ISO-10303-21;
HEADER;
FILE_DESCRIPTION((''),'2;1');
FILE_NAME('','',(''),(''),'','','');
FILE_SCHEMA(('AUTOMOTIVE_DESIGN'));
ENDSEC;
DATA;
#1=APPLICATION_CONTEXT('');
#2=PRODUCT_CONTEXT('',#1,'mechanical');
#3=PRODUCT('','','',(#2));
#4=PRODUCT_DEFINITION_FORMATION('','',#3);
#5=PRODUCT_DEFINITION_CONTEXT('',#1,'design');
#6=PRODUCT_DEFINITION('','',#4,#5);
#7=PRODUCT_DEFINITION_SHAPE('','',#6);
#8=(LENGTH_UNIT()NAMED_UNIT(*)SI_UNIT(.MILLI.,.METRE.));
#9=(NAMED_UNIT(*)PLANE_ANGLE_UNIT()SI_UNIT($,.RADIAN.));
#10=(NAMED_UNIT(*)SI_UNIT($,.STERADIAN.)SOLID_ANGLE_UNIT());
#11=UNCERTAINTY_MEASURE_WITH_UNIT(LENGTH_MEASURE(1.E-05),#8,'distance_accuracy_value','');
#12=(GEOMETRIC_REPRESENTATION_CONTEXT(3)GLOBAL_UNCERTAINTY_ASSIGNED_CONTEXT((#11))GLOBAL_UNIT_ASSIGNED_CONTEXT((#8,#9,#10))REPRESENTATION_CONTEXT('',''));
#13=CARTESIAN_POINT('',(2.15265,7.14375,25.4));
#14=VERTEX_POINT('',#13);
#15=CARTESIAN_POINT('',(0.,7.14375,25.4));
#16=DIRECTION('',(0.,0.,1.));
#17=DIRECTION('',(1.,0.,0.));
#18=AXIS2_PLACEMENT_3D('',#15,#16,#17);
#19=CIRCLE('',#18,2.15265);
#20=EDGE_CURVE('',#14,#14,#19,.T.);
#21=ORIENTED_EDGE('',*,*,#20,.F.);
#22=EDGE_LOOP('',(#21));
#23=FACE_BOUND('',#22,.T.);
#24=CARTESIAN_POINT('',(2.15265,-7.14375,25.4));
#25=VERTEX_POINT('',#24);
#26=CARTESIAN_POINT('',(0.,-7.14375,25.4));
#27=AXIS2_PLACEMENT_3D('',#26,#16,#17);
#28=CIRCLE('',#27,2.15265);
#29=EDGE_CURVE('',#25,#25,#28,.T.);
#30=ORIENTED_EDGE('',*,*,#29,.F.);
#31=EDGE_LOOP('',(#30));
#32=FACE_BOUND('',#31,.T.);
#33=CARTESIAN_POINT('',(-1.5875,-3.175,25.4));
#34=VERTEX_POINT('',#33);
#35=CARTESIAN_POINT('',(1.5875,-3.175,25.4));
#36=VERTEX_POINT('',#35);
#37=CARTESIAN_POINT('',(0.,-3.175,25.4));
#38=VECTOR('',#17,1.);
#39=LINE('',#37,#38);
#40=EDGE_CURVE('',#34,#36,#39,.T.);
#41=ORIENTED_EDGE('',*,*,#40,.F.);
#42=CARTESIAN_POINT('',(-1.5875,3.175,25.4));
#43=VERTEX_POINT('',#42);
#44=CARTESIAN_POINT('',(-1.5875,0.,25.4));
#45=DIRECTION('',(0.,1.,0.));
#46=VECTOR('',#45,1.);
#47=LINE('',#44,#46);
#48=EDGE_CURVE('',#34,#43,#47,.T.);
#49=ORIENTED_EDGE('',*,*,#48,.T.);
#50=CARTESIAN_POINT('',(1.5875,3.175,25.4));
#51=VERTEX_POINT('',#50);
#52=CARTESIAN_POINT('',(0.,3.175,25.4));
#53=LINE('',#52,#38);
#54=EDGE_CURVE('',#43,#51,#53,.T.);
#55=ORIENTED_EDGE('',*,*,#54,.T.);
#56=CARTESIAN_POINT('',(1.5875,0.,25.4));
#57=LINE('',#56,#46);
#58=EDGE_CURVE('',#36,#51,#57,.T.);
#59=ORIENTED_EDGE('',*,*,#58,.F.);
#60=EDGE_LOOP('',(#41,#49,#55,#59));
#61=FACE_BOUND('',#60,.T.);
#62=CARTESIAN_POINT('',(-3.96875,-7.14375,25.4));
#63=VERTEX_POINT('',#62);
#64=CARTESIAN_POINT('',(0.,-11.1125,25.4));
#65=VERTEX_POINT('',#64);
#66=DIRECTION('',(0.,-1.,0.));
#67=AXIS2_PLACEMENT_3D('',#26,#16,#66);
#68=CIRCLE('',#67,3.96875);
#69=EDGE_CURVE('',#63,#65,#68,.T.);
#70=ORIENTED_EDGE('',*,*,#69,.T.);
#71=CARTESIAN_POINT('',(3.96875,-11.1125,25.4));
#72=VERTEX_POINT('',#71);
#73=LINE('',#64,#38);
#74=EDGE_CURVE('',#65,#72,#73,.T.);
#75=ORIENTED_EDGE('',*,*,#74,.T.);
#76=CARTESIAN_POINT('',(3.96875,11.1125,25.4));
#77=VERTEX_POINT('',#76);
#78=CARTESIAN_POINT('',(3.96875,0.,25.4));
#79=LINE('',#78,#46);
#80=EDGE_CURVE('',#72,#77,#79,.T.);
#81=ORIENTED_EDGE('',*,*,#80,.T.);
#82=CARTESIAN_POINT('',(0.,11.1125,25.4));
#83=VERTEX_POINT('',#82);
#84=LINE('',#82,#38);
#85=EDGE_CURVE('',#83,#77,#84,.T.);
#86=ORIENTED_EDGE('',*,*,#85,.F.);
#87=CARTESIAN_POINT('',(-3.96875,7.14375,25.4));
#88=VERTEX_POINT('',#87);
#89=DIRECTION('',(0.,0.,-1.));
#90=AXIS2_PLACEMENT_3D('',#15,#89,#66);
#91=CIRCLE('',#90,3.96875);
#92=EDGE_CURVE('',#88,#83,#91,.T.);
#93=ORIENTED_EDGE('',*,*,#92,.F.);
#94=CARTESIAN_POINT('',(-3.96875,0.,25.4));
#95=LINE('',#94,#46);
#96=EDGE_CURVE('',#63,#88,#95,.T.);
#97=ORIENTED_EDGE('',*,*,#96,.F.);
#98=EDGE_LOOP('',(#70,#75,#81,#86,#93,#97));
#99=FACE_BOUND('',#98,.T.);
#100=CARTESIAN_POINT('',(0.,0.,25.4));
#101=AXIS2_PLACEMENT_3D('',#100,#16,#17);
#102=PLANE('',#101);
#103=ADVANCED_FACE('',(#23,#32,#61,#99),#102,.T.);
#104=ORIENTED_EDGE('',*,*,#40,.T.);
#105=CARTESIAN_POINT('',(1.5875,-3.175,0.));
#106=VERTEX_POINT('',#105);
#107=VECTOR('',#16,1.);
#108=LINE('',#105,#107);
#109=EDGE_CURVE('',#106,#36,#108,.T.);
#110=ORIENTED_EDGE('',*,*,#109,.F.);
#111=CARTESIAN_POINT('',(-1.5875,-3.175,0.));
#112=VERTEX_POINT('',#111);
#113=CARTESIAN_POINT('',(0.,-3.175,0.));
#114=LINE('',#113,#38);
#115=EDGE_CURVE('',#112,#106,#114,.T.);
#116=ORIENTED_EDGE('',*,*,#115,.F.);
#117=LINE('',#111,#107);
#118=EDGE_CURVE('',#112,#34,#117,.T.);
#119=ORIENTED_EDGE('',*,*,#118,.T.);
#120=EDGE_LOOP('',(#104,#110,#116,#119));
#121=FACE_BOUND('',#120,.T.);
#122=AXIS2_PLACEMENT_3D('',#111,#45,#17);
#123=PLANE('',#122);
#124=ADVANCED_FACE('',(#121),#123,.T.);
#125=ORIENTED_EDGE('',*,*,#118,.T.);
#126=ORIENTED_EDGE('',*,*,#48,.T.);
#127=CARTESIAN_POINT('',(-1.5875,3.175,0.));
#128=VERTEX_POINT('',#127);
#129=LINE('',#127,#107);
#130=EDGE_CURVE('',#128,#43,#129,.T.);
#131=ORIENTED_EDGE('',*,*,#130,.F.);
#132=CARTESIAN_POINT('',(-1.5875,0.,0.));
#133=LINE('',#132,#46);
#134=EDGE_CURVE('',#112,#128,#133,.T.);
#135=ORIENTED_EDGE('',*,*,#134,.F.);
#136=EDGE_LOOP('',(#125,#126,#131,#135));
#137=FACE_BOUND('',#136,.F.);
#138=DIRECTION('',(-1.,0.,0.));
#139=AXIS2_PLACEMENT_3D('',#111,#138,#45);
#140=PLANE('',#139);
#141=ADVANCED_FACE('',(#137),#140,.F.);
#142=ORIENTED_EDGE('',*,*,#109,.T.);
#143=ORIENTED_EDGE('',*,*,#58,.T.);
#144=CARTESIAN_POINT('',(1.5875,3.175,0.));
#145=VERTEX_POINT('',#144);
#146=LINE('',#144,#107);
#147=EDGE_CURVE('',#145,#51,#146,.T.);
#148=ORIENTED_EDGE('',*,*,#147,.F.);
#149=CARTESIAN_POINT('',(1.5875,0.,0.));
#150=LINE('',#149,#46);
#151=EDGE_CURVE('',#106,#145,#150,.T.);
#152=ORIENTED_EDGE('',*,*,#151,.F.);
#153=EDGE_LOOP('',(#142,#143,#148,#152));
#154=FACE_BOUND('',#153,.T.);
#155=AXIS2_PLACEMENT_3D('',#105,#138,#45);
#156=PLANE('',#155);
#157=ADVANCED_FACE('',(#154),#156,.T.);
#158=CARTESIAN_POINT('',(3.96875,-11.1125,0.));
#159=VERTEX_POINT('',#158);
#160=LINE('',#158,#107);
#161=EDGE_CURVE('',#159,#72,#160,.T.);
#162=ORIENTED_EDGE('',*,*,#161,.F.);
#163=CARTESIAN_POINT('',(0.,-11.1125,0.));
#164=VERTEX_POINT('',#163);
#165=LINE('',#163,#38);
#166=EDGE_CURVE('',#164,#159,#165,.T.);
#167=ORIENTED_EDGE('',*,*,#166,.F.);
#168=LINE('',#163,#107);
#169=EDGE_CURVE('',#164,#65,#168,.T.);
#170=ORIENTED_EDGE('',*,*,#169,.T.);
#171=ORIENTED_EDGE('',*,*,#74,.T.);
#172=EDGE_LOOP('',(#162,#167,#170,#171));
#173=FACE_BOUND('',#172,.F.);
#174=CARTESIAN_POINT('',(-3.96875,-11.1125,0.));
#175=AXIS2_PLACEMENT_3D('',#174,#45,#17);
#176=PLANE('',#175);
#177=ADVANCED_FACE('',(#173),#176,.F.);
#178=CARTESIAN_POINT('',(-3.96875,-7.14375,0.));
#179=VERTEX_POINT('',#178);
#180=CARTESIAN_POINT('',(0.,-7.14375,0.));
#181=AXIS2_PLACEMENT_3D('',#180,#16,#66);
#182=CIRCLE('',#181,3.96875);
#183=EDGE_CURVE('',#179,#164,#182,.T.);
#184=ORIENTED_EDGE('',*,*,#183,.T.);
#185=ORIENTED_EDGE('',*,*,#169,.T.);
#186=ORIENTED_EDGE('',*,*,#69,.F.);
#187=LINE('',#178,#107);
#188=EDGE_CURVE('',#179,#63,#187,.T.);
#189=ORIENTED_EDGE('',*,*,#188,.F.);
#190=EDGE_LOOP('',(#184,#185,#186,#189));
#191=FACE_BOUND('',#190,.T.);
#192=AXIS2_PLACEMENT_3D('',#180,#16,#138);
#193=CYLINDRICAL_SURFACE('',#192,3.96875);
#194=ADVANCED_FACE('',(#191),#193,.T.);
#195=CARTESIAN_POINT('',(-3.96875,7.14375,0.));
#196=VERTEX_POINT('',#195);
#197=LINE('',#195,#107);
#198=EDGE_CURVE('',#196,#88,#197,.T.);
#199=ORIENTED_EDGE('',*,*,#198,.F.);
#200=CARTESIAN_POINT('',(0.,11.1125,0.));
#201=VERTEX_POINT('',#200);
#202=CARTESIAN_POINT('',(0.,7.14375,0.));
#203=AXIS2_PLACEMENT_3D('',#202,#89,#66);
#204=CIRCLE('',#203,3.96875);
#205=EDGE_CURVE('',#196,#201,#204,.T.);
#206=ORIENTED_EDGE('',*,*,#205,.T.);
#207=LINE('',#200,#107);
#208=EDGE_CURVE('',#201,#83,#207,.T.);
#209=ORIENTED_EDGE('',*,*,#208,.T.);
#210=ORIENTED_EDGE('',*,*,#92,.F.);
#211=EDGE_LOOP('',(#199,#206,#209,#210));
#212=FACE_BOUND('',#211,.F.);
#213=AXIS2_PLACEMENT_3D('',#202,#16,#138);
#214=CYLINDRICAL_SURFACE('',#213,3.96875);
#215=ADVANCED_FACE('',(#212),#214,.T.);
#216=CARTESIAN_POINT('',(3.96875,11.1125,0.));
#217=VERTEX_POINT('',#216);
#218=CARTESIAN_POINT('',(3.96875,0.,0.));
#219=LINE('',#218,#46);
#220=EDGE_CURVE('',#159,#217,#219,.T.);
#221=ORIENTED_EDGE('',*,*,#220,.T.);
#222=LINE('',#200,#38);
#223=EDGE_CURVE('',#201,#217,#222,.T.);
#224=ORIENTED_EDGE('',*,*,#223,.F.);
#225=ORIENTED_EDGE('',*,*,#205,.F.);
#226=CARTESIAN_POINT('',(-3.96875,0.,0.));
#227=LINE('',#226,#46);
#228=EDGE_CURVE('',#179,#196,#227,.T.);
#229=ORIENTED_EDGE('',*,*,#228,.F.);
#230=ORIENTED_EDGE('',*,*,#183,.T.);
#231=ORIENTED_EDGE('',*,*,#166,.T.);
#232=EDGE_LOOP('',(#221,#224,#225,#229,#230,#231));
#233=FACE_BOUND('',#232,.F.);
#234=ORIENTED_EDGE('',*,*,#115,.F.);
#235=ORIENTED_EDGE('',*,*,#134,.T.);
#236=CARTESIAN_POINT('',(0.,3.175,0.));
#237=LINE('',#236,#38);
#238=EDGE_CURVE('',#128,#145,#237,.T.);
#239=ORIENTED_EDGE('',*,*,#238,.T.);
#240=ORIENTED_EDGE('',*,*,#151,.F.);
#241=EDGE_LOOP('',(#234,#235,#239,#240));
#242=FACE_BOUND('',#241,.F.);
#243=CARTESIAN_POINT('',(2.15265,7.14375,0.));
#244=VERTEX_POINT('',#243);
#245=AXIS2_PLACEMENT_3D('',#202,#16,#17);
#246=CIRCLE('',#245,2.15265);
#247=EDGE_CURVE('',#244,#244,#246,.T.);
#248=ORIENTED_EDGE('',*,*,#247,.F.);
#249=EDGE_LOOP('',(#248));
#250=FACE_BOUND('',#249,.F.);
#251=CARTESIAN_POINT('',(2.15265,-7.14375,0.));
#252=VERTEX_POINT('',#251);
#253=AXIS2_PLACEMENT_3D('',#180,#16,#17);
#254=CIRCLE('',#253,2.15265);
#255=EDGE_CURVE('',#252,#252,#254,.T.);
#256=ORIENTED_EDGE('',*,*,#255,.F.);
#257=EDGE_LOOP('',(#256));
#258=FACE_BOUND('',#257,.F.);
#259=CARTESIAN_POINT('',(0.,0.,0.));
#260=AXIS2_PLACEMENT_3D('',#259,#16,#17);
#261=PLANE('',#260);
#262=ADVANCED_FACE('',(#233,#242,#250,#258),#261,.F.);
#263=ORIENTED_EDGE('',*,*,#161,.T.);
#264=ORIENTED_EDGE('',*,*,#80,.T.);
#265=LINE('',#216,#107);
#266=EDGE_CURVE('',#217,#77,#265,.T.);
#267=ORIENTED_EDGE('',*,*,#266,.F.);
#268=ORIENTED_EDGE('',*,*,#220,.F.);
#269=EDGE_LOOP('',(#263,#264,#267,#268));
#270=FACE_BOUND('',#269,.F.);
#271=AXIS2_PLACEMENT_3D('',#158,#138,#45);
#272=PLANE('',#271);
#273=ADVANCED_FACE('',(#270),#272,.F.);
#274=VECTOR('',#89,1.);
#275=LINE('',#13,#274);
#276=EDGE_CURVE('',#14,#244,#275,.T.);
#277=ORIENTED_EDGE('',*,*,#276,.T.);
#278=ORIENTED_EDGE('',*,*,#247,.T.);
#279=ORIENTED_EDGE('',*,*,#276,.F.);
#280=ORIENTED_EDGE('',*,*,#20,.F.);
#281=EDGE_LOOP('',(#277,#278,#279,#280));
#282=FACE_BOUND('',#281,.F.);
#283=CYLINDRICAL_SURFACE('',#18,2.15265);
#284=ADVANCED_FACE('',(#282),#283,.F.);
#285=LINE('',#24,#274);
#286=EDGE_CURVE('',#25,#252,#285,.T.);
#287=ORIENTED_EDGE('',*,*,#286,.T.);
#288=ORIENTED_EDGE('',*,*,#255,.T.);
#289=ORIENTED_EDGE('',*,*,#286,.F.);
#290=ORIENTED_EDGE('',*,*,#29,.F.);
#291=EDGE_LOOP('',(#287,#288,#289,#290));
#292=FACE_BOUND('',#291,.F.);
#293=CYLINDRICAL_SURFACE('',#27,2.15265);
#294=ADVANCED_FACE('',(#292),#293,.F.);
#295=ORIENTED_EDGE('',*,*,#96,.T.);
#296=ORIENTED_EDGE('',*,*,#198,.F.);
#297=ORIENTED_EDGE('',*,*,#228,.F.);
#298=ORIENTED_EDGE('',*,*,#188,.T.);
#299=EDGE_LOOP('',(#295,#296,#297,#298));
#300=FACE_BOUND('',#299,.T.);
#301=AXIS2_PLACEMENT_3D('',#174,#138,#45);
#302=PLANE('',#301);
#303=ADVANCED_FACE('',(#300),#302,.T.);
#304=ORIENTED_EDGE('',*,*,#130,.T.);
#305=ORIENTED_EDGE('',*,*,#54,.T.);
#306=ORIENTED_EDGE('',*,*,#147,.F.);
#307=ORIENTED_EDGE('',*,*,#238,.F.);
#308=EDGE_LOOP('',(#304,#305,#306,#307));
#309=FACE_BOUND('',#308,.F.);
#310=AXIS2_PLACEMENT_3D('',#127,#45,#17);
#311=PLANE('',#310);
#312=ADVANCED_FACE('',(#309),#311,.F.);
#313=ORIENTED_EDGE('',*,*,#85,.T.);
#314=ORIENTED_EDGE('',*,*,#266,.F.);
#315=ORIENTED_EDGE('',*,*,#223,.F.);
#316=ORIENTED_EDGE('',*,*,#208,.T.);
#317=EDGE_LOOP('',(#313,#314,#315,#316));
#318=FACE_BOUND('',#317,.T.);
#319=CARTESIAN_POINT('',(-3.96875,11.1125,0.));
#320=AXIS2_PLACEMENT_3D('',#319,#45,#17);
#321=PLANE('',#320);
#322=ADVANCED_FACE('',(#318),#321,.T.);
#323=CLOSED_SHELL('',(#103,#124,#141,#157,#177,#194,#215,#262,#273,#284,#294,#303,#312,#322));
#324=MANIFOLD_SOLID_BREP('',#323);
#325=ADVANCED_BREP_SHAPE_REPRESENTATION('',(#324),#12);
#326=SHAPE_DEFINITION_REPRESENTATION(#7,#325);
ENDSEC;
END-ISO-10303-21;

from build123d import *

# Parameters (mm, degrees)
F0_W     = 7.9375
F0_H     = 22.225
F0_W_2   = 3.175
F0_H_2   = 6.35
F1_DEPTH = 25.4
F2_R     = 2.15265
F3_DEPTH = 25.4
F4_R     = 3.96875


with BuildPart() as f1:
    # F0 (on Top) → F1 (new body)
    with BuildSketch(Plane.XY):
        Rectangle(F0_W, F0_H)
        Rectangle(F0_W_2, F0_H_2, mode=Mode.SUBTRACT)
    extrude(amount=F1_DEPTH)

    # F2 (on face) → F3 (cut, through all)
    with BuildSketch(Plane.XY.offset(25.4)):
        with Locations((0, 7.14375)):
            Circle(F2_R)
        with Locations((0, -7.14375)):
            Circle(F2_R)
    extrude(amount=-F3_DEPTH, mode=Mode.SUBTRACT)

    # F4
    f4_edges = [f1.edges().sort_by_distance(p)[0] for p in [
        (-3.96875, -11.1125, 12.7),
        (-3.96875, 11.1125, 12.7),
    ]]
    fillet(f4_edges, radius=F4_R)


solid = f1.part
